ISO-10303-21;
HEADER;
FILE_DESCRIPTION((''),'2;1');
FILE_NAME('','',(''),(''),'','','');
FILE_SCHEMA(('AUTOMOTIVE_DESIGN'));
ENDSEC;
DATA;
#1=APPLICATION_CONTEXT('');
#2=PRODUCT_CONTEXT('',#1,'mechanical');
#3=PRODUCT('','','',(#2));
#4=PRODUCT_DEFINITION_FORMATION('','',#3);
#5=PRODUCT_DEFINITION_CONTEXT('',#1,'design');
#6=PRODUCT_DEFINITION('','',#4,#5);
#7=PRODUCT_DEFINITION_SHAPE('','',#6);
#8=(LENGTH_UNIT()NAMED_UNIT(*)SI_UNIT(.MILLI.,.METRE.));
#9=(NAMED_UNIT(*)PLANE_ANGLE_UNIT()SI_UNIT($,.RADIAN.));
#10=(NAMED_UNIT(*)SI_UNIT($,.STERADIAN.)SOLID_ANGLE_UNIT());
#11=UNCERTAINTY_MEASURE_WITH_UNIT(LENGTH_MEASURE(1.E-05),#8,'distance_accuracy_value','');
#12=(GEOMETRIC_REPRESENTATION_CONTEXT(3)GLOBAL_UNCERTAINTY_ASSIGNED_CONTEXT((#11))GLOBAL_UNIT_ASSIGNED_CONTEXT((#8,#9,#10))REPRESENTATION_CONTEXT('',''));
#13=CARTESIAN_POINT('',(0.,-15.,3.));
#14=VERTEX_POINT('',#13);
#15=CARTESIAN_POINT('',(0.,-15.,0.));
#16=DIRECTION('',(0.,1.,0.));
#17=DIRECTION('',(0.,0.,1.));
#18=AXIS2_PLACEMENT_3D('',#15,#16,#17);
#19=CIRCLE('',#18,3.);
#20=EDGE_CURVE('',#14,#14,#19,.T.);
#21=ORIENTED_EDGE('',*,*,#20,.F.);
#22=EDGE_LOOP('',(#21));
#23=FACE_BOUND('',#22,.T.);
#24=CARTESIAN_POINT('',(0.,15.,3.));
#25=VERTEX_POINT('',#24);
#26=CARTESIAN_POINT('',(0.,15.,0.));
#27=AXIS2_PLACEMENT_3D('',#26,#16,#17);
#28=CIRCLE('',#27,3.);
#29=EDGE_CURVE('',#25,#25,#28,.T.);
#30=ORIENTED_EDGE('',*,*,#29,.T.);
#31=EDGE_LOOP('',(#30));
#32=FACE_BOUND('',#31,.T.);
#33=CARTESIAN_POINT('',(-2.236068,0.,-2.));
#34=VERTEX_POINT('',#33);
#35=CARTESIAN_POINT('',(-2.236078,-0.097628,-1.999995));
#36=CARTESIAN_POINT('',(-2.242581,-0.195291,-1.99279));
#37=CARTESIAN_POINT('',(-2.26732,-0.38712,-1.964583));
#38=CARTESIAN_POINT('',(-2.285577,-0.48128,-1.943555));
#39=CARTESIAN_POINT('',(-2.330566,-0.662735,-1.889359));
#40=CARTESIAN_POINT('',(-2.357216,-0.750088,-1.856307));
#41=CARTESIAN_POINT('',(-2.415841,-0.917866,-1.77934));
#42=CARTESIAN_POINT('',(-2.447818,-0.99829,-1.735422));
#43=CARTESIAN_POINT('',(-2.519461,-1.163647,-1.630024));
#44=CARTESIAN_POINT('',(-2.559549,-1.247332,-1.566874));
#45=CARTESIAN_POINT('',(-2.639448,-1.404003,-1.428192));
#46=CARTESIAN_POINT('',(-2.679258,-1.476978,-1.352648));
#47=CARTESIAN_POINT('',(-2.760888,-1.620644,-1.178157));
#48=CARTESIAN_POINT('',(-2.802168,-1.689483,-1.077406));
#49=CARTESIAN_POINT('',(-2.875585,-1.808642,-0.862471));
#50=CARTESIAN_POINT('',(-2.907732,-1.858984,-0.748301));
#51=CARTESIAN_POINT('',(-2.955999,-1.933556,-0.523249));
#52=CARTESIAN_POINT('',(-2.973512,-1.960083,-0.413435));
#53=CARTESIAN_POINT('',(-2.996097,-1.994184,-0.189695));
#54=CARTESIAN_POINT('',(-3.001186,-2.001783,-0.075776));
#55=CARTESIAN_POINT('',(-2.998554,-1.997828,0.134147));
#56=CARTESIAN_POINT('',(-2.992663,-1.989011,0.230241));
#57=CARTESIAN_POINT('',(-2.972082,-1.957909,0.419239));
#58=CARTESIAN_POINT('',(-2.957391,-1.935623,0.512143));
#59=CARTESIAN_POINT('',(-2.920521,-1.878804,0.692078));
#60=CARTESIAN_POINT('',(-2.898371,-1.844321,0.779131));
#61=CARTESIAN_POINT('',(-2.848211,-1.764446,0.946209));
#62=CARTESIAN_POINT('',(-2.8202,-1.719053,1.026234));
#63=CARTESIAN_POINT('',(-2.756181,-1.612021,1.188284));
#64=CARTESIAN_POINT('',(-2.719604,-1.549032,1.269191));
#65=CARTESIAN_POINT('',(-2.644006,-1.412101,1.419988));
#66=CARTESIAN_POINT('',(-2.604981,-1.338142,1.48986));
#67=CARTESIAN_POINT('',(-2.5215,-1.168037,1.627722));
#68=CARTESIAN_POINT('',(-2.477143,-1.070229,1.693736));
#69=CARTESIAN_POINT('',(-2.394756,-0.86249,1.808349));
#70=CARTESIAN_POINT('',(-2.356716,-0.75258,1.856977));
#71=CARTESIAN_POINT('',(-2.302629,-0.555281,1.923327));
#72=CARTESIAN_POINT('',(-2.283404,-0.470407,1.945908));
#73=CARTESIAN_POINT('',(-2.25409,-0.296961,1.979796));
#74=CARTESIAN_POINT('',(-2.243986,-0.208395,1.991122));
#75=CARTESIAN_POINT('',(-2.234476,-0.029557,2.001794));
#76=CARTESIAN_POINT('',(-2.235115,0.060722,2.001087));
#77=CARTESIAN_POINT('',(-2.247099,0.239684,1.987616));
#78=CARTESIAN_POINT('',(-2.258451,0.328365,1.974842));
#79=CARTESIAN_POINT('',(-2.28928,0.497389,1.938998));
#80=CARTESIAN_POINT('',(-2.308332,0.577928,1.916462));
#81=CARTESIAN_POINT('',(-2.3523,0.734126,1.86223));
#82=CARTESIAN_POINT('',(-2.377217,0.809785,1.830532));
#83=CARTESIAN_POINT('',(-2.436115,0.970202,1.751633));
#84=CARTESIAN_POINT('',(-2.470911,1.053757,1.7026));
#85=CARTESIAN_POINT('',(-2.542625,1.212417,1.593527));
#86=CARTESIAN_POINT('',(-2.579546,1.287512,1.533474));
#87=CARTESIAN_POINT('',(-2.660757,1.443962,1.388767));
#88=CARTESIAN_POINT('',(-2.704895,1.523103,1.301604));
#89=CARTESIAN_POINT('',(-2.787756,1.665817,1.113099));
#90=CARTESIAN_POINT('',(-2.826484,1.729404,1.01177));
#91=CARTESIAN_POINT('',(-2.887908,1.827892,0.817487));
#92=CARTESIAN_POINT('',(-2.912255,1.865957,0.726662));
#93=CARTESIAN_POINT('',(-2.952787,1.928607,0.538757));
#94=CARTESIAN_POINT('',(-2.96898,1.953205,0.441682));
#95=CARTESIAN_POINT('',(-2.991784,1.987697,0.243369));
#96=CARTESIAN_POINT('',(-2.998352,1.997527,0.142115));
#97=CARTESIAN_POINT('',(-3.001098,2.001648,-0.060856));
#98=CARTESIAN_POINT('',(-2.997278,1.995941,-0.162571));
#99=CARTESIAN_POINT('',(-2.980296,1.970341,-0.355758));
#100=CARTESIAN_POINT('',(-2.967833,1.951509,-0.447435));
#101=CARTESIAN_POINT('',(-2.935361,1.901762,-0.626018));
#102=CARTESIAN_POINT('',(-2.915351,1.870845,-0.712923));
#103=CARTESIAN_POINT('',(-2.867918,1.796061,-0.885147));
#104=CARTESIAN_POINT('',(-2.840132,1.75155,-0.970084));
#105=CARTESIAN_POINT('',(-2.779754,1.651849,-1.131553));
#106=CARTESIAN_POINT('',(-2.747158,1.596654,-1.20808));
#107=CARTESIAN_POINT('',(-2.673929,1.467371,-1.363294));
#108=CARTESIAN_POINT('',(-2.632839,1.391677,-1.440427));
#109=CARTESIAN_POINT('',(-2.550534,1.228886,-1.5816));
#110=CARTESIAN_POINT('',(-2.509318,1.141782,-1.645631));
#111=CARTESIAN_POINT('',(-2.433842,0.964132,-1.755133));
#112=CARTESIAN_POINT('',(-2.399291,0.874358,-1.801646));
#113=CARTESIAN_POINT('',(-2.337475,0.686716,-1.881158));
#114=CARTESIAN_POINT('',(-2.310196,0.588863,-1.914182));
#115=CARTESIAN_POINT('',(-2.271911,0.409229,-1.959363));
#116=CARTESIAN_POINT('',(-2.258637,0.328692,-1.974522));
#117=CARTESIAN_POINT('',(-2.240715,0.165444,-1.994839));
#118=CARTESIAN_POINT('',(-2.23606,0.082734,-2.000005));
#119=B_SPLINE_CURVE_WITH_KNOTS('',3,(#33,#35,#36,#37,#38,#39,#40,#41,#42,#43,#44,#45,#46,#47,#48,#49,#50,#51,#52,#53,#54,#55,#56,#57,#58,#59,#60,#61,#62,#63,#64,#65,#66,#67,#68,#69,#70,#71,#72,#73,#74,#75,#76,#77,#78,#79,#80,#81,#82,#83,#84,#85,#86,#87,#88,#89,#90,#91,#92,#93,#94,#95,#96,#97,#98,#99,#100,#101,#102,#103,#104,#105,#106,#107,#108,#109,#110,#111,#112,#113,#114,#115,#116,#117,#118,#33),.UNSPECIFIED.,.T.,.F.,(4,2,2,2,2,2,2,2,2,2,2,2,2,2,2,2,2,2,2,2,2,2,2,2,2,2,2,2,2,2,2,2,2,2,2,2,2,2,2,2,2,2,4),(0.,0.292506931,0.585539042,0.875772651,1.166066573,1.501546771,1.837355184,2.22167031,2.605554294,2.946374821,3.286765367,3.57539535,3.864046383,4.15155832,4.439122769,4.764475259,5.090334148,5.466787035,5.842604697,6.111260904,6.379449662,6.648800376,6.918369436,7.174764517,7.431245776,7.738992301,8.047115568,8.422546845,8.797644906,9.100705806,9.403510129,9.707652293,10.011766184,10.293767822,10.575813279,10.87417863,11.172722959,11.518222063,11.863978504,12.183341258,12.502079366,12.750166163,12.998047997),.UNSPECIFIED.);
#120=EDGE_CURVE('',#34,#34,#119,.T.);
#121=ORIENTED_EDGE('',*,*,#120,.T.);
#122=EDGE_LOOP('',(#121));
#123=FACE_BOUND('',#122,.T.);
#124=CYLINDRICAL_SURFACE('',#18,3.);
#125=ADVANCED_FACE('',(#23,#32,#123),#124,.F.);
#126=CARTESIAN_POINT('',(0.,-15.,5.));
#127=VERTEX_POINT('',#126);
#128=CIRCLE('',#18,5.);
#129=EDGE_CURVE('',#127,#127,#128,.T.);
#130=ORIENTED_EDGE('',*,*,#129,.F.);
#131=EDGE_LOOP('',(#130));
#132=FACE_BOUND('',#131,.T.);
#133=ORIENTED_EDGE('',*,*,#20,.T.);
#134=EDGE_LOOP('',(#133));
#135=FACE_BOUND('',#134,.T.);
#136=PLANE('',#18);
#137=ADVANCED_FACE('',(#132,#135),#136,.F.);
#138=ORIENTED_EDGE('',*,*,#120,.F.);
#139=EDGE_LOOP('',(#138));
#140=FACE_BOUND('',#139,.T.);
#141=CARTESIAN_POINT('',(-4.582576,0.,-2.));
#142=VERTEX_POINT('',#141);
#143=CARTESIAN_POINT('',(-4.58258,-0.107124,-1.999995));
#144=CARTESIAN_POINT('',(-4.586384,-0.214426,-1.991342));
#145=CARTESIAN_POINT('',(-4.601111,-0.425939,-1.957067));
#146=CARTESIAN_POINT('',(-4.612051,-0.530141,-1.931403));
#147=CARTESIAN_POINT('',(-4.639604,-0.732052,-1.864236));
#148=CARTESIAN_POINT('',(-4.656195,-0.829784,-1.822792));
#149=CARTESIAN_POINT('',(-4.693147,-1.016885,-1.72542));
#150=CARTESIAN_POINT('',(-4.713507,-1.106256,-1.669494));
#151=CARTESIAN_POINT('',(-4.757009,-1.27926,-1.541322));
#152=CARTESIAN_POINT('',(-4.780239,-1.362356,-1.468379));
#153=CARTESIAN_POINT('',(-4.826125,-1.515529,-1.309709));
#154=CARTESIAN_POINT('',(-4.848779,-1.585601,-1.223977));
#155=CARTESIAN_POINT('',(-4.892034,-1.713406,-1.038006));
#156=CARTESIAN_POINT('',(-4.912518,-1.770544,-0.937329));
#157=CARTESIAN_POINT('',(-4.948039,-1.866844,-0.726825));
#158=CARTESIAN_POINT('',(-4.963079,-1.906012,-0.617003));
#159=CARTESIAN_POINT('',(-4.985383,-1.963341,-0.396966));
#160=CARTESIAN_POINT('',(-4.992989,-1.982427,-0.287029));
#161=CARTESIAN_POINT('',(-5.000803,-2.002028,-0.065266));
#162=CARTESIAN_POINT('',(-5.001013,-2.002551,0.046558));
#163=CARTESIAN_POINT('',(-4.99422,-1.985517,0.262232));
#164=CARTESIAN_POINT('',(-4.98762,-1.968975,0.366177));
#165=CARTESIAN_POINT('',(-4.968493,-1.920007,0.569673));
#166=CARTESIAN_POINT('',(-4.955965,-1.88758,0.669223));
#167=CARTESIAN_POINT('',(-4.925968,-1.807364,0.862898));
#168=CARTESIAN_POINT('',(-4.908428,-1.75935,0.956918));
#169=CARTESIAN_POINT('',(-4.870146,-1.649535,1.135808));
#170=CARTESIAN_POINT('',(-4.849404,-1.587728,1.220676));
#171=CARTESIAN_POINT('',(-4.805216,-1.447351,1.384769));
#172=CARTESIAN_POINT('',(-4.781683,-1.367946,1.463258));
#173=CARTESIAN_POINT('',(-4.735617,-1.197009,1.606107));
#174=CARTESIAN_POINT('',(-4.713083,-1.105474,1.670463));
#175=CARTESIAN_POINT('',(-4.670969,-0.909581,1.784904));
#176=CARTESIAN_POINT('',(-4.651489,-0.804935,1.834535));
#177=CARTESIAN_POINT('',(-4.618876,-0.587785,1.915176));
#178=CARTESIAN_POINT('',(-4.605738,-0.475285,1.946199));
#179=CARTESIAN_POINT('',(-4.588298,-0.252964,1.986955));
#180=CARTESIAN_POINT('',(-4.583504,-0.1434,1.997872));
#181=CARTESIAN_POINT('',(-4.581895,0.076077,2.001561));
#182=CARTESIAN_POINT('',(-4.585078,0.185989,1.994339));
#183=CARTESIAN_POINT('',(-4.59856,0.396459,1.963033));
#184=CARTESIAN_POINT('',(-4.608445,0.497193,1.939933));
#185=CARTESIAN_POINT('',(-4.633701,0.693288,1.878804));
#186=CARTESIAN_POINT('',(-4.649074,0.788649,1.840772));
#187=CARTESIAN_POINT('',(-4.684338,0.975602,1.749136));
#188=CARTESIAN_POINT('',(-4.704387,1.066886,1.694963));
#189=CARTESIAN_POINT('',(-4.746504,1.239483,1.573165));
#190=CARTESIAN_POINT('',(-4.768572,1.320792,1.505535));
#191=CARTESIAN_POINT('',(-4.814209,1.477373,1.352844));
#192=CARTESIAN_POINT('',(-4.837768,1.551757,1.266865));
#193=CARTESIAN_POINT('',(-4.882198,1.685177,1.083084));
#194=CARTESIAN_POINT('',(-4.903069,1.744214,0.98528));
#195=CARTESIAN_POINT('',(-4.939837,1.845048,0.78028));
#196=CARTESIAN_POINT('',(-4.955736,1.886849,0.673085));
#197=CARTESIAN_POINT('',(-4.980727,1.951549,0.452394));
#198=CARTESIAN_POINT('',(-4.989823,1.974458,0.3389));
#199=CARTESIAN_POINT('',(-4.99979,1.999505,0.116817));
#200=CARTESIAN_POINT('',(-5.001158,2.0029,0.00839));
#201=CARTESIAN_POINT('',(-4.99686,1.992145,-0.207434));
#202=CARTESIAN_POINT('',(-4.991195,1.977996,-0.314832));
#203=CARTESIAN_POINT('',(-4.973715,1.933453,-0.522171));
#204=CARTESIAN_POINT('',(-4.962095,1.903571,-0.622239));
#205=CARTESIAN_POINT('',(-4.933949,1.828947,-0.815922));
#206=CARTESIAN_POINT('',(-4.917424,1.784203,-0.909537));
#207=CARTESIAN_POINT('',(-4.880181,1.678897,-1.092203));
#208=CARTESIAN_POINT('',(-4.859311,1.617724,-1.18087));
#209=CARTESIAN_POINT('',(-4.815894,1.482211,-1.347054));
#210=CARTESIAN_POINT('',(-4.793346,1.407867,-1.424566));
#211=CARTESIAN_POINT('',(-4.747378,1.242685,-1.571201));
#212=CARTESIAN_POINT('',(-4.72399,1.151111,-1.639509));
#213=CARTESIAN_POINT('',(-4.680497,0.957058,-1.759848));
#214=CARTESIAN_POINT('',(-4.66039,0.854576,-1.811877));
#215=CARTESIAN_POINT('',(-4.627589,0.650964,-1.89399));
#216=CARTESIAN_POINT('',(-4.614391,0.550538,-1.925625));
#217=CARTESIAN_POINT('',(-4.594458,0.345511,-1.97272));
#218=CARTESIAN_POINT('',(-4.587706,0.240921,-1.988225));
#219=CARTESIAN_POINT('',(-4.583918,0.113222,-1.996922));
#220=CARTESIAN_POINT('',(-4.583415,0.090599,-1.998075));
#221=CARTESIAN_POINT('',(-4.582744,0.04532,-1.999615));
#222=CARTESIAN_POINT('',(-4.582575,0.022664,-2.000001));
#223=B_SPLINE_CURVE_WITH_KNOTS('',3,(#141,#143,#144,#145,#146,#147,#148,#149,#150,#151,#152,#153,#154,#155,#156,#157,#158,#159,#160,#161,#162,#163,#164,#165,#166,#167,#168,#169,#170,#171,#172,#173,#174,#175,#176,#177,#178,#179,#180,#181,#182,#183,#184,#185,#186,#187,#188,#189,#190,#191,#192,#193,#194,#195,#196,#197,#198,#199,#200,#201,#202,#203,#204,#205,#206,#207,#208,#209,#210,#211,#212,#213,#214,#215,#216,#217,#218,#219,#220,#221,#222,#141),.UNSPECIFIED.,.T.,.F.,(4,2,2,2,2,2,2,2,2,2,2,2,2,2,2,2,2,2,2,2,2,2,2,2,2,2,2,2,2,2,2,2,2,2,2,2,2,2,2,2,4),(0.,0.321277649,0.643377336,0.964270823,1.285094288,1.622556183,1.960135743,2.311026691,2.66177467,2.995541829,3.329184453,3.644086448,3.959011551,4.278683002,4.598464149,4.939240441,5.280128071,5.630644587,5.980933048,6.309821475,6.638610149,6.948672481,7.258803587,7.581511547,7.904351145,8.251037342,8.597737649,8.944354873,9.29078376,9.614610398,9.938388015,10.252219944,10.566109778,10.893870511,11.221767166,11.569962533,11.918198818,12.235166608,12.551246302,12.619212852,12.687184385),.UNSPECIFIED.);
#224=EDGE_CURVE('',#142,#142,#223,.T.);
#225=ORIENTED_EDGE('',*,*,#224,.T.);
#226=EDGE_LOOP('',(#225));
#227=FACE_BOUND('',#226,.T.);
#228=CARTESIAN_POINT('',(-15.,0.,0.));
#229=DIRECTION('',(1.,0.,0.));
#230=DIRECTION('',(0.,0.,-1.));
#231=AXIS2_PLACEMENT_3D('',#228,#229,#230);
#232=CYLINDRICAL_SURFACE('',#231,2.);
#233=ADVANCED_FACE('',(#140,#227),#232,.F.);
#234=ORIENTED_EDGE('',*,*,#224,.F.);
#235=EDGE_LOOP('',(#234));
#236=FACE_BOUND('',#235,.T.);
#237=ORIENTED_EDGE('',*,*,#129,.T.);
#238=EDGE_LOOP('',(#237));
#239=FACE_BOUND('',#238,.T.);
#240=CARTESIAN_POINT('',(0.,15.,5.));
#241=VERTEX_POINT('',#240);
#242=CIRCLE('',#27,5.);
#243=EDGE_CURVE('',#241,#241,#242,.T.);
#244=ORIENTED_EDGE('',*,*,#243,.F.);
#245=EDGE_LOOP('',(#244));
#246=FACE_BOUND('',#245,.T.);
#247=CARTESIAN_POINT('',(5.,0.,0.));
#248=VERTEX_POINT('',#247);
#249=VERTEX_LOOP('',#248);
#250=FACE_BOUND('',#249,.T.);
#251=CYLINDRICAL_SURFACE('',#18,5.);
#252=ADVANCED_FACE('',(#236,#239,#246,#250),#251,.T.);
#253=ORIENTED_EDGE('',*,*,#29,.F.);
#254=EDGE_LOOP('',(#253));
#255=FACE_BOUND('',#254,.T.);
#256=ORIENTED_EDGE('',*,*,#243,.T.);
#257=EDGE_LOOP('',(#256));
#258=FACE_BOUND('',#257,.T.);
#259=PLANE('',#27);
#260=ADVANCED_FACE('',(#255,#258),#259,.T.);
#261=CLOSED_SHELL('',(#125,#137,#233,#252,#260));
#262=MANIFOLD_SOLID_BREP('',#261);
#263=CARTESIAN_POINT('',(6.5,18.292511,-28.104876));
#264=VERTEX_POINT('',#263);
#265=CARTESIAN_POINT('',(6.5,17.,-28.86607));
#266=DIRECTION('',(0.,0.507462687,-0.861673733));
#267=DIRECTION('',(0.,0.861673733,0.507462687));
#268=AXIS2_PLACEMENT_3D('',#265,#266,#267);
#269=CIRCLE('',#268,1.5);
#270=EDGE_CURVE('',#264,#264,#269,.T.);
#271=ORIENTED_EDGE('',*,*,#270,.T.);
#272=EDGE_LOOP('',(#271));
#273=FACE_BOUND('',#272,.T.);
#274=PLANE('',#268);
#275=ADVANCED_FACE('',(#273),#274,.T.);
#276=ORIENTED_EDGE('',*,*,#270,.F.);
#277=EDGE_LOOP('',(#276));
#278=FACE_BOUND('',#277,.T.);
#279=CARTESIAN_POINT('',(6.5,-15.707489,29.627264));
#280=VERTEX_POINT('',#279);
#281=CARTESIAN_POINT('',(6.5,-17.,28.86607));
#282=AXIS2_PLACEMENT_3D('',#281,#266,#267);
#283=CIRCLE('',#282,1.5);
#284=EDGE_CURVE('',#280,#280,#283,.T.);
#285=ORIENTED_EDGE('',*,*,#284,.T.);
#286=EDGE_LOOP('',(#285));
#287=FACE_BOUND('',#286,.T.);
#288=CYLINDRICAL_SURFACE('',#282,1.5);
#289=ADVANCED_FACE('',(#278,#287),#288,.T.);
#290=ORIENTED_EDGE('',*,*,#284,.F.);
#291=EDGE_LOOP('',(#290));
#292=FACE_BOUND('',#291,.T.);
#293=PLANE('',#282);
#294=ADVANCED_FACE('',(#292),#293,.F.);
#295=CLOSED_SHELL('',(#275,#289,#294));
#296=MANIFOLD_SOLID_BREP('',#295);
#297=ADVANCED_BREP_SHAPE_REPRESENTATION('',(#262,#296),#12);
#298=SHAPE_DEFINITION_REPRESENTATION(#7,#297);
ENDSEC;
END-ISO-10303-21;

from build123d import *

# Parameters (mm, degrees)
EXTRUDE_1_DEPTH      = 15
EXTRUDE_1_DEPTH_BACK = 15
SKETCH_1_R           = 5
SKETCH_1_R_2         = 3
SKETCH_3_R           = 1.5
SKETCH_4_R           = 2
CUT_EXTRUDE_1_DEPTH  = 15


with BuildPart() as part:
    # Эскиз1 → Бобышка-Вытянуть1 (new, two sides: drawn at the far end of the back side and taken through both)
    with BuildSketch(Plane(origin=(0, 0, 0), x_dir=(1, 0, 0), z_dir=(0, 1, 0)).offset(-EXTRUDE_1_DEPTH_BACK)):
        Circle(SKETCH_1_R)
        Circle(SKETCH_1_R_2, mode=Mode.SUBTRACT)
    extrude(amount=EXTRUDE_1_DEPTH + EXTRUDE_1_DEPTH_BACK)

    # Эскиз4 → Вырез-Вытянуть1 (cut)
    with BuildSketch(Plane(origin=(0, 0, 0), x_dir=(0, 0, -1), z_dir=(1, 0, 0))):
        Circle(SKETCH_4_R)
    extrude(amount=-CUT_EXTRUDE_1_DEPTH, mode=Mode.SUBTRACT)


with BuildPart() as body_2:
    # По траектории1: sweep along a path in Эскиз2
    with BuildLine(Plane(origin=(5, 0, 0), x_dir=(0, 0, -1), z_dir=(1, 0, 0))) as sweep_1_path:
        Line((-28.866070048, -17), (28.866070048, 17))
    # Эскиз3 → По траектории1 (sweep)
    with BuildSketch(Plane(origin=(5, -17, 28.866070048), x_dir=(-1, 0, 0), z_dir=(0, 0.5074626865671642, -0.8616737327678246))):
        with Locations((-1.5, 0)):
            Circle(SKETCH_3_R)
    sweep(path=sweep_1_path.line)


solid = Compound([part.part, body_2.part])
